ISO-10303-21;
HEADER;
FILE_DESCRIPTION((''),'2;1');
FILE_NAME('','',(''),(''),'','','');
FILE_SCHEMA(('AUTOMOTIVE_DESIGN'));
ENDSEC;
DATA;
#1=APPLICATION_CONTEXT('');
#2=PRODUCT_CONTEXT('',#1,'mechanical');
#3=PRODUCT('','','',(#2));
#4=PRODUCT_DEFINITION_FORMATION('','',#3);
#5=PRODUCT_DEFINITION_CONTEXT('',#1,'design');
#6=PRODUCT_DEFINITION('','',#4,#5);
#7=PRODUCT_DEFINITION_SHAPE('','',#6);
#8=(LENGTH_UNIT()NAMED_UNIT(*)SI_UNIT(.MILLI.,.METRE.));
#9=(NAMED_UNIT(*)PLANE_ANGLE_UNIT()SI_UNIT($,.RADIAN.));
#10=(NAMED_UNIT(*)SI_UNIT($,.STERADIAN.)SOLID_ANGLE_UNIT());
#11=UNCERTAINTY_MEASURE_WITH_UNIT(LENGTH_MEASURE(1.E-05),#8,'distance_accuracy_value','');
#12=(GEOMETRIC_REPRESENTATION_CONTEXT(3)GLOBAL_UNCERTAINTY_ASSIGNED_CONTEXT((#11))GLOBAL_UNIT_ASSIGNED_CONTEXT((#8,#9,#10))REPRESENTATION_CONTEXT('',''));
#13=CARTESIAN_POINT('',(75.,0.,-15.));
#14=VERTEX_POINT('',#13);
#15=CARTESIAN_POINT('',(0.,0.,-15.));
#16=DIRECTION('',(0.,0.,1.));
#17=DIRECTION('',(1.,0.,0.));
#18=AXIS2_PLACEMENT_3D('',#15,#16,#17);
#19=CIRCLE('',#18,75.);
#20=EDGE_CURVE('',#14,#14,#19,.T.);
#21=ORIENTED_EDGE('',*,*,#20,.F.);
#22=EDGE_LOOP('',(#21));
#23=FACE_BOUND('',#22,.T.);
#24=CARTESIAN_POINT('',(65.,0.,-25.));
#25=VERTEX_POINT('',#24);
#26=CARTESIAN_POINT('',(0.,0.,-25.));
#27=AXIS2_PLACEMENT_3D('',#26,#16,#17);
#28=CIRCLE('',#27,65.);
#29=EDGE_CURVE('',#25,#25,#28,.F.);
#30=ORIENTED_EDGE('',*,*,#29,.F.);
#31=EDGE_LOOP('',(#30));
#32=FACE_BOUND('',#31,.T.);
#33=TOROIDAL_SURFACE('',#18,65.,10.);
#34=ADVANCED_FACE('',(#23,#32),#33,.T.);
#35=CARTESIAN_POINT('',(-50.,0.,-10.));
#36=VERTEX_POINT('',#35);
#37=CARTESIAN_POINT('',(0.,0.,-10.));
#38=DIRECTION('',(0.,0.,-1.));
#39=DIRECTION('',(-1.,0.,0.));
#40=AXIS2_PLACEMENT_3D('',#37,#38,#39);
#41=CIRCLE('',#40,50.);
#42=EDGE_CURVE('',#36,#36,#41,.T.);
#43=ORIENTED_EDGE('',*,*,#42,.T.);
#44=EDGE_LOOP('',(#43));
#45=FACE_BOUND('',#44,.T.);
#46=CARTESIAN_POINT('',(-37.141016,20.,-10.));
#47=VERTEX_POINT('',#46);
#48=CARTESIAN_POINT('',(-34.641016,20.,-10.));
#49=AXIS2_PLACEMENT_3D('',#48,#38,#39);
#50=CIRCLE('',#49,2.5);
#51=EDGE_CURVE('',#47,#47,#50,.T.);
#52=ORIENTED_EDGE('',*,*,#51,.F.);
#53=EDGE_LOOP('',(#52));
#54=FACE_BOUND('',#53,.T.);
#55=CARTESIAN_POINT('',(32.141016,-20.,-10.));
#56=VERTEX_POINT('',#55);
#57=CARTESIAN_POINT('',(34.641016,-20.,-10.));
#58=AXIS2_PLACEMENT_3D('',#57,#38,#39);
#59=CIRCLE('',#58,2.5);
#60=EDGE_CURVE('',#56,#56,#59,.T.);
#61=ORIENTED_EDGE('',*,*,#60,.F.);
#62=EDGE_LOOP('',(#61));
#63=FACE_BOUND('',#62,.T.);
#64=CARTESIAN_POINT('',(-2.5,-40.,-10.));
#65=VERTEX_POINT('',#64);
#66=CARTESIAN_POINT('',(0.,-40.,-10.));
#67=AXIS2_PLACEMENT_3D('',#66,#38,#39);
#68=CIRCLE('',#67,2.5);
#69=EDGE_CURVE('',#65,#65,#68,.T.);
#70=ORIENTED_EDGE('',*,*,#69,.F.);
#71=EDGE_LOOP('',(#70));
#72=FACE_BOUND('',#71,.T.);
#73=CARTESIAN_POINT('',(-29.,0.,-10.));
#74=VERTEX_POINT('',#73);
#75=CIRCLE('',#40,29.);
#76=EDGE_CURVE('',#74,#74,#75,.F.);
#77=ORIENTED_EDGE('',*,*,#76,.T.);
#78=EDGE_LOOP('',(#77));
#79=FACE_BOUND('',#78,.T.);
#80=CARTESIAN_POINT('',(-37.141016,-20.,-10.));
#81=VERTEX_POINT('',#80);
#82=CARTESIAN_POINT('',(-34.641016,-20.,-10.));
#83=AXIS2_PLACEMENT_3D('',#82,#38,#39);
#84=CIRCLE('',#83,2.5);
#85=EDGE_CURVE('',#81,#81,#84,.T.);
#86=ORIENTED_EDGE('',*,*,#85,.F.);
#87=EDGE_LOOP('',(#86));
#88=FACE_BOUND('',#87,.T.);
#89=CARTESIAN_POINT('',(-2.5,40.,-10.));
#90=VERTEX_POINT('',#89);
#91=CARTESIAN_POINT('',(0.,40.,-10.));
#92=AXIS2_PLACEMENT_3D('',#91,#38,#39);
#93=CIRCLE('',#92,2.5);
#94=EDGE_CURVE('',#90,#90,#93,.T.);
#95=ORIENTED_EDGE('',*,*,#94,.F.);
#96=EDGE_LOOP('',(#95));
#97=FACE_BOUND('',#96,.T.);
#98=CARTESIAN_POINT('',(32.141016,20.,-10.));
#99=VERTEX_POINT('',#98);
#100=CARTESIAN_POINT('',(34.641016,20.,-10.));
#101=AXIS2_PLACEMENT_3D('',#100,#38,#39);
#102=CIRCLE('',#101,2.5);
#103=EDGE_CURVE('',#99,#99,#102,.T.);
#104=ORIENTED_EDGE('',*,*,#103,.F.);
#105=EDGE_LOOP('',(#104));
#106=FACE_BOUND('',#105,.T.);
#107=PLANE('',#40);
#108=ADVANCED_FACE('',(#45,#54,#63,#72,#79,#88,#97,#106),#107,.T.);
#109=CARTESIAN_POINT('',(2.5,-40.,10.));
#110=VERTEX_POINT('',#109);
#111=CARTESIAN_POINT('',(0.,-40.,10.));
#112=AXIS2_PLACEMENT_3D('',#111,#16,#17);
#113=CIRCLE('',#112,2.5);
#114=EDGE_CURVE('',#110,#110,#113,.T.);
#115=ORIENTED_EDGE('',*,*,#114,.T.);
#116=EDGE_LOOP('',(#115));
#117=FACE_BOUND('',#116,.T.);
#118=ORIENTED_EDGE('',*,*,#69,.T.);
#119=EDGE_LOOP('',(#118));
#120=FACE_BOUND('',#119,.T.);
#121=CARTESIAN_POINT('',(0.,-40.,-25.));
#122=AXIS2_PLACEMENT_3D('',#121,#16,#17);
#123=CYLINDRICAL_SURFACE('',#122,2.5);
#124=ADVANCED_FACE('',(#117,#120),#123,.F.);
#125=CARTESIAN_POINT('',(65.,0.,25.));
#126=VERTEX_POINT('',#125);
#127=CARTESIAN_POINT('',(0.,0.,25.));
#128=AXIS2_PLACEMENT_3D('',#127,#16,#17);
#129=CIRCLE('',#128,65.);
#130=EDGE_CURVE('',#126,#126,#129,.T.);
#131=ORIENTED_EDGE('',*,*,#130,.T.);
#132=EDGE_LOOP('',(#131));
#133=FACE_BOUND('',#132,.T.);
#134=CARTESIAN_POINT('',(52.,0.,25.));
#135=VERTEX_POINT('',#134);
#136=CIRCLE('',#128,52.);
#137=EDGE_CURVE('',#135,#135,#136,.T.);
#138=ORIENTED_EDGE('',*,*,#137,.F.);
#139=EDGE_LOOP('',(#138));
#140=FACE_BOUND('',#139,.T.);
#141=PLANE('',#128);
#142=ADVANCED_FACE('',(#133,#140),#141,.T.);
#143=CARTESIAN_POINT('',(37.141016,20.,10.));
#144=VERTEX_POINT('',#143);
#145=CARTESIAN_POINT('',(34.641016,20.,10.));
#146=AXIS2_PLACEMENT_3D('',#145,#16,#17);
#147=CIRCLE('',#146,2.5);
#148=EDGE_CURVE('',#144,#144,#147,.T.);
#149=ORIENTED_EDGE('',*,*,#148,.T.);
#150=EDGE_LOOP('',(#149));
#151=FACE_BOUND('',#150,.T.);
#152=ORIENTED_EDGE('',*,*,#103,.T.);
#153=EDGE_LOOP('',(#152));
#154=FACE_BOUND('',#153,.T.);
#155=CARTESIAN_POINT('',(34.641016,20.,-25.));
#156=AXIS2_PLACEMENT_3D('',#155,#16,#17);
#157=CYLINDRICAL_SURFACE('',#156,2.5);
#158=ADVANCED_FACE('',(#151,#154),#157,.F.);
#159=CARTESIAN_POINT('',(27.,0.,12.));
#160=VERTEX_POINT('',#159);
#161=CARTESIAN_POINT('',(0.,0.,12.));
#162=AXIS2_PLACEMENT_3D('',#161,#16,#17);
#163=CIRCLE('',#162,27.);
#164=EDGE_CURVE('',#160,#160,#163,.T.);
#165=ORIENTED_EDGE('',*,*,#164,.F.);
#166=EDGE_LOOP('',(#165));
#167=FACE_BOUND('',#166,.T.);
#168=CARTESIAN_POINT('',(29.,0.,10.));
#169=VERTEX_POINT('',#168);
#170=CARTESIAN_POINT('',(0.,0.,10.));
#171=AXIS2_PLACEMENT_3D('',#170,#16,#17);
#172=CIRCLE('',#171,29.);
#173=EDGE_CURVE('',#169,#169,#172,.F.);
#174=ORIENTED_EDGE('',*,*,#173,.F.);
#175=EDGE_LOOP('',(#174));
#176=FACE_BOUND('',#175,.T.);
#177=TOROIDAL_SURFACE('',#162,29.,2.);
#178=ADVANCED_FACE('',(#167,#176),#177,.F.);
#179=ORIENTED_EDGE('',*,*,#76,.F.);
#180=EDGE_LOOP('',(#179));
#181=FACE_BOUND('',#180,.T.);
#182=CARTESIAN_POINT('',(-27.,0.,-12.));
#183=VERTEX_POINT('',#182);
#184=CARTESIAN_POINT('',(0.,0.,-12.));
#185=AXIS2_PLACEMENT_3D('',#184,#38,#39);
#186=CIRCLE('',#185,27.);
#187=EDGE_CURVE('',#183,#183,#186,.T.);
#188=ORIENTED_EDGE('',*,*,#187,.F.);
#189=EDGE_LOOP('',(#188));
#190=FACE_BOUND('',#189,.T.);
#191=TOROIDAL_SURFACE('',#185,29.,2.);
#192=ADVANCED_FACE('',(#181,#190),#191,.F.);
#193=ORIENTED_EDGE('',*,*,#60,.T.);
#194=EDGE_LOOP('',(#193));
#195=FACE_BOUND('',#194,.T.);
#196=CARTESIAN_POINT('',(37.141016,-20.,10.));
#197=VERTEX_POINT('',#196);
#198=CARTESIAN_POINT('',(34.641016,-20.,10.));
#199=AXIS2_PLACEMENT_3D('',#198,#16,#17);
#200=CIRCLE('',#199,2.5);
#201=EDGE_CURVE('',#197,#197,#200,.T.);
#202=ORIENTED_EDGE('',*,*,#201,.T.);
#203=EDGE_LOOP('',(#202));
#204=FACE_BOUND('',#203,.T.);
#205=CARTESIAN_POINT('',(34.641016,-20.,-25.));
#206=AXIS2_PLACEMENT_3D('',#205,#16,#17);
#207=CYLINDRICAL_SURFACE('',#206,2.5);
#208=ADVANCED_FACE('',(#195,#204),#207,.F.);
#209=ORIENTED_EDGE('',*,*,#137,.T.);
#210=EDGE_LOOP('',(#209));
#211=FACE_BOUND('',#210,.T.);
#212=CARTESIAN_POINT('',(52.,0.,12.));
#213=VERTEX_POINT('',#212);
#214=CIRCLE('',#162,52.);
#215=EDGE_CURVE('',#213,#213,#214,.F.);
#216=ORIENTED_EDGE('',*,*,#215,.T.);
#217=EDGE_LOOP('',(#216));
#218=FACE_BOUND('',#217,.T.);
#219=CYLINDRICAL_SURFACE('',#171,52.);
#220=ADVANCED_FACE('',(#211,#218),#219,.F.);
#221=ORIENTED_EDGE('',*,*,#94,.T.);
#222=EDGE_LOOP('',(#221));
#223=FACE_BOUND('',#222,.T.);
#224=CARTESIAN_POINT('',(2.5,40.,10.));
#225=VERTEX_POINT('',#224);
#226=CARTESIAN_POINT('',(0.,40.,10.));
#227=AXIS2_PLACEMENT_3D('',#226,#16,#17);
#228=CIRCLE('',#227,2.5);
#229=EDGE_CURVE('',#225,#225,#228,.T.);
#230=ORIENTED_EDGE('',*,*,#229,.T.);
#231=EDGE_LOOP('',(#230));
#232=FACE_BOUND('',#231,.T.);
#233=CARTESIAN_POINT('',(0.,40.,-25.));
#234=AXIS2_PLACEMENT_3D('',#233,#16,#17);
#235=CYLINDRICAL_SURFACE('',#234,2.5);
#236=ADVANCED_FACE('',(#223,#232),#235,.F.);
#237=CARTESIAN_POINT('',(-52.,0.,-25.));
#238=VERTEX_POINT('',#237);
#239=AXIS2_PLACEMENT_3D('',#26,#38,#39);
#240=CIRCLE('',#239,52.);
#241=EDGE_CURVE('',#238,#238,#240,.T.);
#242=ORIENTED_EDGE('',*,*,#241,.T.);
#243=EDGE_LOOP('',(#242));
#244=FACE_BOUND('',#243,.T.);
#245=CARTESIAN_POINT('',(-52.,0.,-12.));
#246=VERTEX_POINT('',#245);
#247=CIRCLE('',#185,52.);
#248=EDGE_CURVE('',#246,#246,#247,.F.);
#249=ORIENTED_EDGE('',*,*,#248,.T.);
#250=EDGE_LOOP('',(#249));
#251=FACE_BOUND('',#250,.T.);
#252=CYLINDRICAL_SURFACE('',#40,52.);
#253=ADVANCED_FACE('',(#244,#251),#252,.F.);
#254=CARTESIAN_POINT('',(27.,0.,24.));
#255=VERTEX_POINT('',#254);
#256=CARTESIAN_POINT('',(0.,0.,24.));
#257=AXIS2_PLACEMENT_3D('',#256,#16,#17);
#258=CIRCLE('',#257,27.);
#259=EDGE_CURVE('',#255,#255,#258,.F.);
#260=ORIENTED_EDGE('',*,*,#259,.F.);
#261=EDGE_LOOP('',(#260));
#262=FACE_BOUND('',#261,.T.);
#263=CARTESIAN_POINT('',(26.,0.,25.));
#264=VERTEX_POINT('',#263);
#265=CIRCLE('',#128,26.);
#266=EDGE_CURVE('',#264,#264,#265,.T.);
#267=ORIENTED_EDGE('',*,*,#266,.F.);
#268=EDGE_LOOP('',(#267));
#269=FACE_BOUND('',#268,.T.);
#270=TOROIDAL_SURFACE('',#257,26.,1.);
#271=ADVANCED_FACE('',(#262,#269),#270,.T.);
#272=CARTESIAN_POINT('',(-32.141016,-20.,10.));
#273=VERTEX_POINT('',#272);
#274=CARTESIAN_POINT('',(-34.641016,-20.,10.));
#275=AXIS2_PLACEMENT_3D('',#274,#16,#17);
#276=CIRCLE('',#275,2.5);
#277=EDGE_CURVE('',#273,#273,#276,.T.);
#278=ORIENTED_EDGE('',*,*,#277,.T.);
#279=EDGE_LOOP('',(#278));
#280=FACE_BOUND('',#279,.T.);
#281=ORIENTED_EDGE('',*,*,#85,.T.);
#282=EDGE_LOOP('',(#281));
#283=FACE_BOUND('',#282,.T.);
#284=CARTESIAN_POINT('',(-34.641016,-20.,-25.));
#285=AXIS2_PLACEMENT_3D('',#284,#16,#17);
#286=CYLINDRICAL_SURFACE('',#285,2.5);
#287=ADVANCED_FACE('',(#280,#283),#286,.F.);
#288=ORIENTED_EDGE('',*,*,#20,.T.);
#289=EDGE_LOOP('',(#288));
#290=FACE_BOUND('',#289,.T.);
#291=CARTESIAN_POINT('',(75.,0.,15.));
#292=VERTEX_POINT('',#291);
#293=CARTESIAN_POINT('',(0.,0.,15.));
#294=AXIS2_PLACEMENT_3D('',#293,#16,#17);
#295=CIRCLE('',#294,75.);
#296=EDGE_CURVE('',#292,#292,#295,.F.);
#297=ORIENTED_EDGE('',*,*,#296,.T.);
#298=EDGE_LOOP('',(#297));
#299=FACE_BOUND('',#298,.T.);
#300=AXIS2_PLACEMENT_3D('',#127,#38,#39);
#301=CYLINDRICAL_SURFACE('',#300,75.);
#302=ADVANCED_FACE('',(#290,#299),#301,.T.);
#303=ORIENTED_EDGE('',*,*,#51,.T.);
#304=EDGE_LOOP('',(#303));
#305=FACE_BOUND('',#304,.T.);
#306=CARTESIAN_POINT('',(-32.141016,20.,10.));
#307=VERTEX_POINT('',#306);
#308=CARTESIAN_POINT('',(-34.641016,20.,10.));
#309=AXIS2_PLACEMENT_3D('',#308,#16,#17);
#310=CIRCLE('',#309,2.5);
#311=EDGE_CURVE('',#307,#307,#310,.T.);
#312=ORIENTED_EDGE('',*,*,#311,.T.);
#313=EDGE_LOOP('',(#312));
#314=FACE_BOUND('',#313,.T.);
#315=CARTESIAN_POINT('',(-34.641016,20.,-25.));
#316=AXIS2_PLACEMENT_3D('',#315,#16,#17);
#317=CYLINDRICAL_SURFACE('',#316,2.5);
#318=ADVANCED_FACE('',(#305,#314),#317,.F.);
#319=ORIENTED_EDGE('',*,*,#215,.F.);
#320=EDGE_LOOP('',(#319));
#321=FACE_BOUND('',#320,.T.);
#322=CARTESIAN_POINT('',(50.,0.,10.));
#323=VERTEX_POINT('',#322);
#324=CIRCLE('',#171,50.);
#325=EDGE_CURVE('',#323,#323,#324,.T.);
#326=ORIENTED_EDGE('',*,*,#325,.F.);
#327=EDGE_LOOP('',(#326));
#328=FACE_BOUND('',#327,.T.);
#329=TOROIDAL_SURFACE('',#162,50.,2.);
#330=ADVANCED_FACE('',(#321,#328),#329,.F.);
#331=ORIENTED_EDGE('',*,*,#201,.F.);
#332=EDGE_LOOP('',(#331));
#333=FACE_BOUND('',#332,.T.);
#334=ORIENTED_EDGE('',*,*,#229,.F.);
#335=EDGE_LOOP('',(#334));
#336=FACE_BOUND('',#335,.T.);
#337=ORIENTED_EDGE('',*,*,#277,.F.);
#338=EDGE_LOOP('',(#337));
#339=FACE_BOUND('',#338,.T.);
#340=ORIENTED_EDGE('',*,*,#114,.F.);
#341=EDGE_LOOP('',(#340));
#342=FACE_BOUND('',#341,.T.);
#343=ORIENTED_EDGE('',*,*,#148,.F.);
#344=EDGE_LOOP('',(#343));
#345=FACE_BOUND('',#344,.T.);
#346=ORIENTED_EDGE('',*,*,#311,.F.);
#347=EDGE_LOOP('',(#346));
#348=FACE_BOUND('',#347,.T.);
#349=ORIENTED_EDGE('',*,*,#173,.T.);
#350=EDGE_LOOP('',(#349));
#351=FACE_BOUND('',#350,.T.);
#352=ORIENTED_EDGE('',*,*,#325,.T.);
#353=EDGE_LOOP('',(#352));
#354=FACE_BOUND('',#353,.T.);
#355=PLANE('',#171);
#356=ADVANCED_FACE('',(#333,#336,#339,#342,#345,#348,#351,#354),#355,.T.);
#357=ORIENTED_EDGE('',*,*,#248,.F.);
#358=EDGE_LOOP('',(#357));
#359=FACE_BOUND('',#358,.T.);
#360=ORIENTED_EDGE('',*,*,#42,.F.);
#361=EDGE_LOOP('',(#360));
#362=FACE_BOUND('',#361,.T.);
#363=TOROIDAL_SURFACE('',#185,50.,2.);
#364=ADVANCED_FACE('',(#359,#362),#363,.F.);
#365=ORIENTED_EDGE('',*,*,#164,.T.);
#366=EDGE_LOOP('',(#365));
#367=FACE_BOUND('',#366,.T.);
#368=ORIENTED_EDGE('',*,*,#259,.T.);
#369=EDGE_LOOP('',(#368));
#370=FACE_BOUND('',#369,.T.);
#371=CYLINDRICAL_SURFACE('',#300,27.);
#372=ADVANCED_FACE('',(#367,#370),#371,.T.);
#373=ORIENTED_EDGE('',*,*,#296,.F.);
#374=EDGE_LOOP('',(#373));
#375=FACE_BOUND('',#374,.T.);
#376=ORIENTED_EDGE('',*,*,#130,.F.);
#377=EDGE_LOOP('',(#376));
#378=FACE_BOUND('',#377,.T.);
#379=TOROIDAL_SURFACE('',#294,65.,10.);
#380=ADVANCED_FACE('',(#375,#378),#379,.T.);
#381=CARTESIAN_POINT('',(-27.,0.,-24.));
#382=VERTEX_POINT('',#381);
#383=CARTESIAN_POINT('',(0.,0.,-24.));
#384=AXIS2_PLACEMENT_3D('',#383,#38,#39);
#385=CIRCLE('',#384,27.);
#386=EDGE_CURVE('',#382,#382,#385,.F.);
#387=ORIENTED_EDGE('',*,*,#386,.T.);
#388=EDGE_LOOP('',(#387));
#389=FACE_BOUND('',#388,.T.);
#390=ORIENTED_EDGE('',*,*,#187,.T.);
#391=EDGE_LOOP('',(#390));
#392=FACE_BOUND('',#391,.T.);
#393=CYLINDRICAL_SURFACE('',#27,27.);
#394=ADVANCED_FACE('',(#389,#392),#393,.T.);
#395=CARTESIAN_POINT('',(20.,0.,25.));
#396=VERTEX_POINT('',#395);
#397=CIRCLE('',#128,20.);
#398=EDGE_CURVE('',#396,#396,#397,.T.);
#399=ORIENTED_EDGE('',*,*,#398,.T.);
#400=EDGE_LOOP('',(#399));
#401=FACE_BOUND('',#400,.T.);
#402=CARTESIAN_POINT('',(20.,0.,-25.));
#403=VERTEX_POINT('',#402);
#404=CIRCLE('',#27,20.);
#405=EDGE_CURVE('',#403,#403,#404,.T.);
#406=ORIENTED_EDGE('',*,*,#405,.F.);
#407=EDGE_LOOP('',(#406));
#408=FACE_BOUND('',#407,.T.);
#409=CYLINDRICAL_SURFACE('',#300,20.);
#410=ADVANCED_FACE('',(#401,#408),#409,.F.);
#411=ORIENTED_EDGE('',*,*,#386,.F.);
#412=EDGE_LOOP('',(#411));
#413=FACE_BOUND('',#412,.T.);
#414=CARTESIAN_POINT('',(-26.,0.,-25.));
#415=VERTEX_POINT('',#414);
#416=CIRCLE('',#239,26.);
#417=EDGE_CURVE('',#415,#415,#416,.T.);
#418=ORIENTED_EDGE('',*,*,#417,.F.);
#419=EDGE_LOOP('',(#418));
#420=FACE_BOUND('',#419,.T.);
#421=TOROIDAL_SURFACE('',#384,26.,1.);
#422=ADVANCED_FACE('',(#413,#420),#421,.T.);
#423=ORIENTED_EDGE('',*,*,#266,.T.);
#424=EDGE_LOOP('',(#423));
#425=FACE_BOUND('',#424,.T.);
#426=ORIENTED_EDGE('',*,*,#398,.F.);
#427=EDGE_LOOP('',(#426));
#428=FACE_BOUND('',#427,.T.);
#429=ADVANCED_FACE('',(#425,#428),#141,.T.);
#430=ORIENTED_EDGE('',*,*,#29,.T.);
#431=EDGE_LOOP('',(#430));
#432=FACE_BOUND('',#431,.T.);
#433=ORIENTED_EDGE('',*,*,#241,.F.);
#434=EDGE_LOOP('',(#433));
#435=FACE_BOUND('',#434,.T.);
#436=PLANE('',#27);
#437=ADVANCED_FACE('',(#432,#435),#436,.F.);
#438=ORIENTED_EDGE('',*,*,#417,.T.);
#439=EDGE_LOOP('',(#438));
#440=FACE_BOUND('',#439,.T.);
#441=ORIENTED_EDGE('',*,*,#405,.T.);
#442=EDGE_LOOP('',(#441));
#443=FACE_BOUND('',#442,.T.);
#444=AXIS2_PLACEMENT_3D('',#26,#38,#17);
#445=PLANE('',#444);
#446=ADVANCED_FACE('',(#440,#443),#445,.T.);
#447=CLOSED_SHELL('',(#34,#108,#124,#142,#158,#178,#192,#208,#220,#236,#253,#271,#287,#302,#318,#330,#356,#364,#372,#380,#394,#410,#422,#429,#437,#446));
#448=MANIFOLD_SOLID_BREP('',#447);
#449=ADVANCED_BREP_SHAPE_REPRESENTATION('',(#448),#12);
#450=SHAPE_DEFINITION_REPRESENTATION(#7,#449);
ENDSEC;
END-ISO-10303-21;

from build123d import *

# Parameters (mm, degrees)
SKETCH1_R           = 75
BOSS_EXTRUDE1_DEPTH = 25
SKETCH2_R           = 52
CUT_EXTRUDE1_DEPTH  = 15
SKETCH3_R           = 52
CUT_EXTRUDE2_DEPTH  = 15
SKETCH4_R           = 27
SKETCH4_R_2         = 20
BOSS_EXTRUDE2_DEPTH = 15
FILLET1_R           = 10
FILLET2_R           = 2
FILLET3_R           = 2
FILLET4_R           = 1
FILLET5_R           = 2
FILLET6_R           = 1
SKETCH7_R           = 20
CUT_EXTRUDE3_DEPTH  = 36.0000001
SKETCH8_R           = 2.5
CUT_EXTRUDE4_DEPTH  = 36.0000001


with BuildPart() as part:
    # Sketch1 → Boss-Extrude1 (new body, symmetric)
    with BuildSketch(Plane.XY):
        Circle(SKETCH1_R)
    extrude(amount=BOSS_EXTRUDE1_DEPTH, both=True)

    # Sketch2 → Cut-Extrude1 (cut)
    with BuildSketch(Plane.XY.offset(25)):
        Circle(SKETCH2_R)
    extrude(amount=-CUT_EXTRUDE1_DEPTH, mode=Mode.SUBTRACT)

    # Sketch3 → Cut-Extrude2 (cut)
    with BuildSketch(Plane(origin=(0, 0, -25), x_dir=(-1, 0, 0), z_dir=(0, 0, -1))):
        Circle(SKETCH3_R)
    extrude(amount=-CUT_EXTRUDE2_DEPTH, mode=Mode.SUBTRACT)

    # Sketch4 → Boss-Extrude2 (add)
    with BuildSketch(Plane.XY.offset(10)):
        Circle(SKETCH4_R)
        Circle(SKETCH4_R_2, mode=Mode.SUBTRACT)
    boss_extrude2 = extrude(amount=BOSS_EXTRUDE2_DEPTH)

    # Fillet1
    fillet1_edges = [part.edges().sort_by_distance(p)[0] for p in [
        (-75, 0, -25),
        (-75, 0, 25),
    ]]
    fillet(fillet1_edges, radius=FILLET1_R)

    # Fillet2
    fillet2_edges = [part.edges().sort_by_distance(p)[0] for p in [
        (-52, 0, 10),
    ]]
    fillet(fillet2_edges, radius=FILLET2_R)

    # Fillet3
    fillet3_edges = [part.edges().sort_by_distance(p)[0] for p in [
        (-27, 0, 10),
    ]]
    fillet(fillet3_edges, radius=FILLET3_R)

    # Fillet4
    fillet4_edges = [part.edges().sort_by_distance(p)[0] for p in [
        (-27, 0, 25),
    ]]
    fillet(fillet4_edges, radius=FILLET4_R)

    # Mirror1: Boss-Extrude2 across plane
    add(boss_extrude2.mirror(Plane.XY))

    # Fillet5
    fillet5_edges = [part.edges().sort_by_distance(p)[0] for p in [
        (52, 0, -10),
        (-27, 0, -10),
    ]]
    fillet(fillet5_edges, radius=FILLET5_R)

    # Fillet6
    fillet6_edges = [part.edges().sort_by_distance(p)[0] for p in [
        (-27, 0, -25),
    ]]
    fillet(fillet6_edges, radius=FILLET6_R)

    # Sketch7 → Cut-Extrude3 (cut, through all)
    with BuildSketch(Plane.XY.offset(10)):
        Circle(SKETCH7_R)
    extrude(amount=-CUT_EXTRUDE3_DEPTH, mode=Mode.SUBTRACT)

    # Sketch8 → Cut-Extrude4 (cut, through all)
    with BuildSketch(Plane.XY.offset(10)):
        with Locations((0, 40)):
            Circle(SKETCH8_R)
        with Locations((34.641016151, 20)):
            Circle(SKETCH8_R)
        with Locations((34.641016151, -20)):
            Circle(SKETCH8_R)
        with Locations((0, -40)):
            Circle(SKETCH8_R)
        with Locations((-34.641016151, -20)):
            Circle(SKETCH8_R)
        with Locations((-34.641016151, 20)):
            Circle(SKETCH8_R)
    extrude(amount=-CUT_EXTRUDE4_DEPTH, mode=Mode.SUBTRACT)


solid = part.part
